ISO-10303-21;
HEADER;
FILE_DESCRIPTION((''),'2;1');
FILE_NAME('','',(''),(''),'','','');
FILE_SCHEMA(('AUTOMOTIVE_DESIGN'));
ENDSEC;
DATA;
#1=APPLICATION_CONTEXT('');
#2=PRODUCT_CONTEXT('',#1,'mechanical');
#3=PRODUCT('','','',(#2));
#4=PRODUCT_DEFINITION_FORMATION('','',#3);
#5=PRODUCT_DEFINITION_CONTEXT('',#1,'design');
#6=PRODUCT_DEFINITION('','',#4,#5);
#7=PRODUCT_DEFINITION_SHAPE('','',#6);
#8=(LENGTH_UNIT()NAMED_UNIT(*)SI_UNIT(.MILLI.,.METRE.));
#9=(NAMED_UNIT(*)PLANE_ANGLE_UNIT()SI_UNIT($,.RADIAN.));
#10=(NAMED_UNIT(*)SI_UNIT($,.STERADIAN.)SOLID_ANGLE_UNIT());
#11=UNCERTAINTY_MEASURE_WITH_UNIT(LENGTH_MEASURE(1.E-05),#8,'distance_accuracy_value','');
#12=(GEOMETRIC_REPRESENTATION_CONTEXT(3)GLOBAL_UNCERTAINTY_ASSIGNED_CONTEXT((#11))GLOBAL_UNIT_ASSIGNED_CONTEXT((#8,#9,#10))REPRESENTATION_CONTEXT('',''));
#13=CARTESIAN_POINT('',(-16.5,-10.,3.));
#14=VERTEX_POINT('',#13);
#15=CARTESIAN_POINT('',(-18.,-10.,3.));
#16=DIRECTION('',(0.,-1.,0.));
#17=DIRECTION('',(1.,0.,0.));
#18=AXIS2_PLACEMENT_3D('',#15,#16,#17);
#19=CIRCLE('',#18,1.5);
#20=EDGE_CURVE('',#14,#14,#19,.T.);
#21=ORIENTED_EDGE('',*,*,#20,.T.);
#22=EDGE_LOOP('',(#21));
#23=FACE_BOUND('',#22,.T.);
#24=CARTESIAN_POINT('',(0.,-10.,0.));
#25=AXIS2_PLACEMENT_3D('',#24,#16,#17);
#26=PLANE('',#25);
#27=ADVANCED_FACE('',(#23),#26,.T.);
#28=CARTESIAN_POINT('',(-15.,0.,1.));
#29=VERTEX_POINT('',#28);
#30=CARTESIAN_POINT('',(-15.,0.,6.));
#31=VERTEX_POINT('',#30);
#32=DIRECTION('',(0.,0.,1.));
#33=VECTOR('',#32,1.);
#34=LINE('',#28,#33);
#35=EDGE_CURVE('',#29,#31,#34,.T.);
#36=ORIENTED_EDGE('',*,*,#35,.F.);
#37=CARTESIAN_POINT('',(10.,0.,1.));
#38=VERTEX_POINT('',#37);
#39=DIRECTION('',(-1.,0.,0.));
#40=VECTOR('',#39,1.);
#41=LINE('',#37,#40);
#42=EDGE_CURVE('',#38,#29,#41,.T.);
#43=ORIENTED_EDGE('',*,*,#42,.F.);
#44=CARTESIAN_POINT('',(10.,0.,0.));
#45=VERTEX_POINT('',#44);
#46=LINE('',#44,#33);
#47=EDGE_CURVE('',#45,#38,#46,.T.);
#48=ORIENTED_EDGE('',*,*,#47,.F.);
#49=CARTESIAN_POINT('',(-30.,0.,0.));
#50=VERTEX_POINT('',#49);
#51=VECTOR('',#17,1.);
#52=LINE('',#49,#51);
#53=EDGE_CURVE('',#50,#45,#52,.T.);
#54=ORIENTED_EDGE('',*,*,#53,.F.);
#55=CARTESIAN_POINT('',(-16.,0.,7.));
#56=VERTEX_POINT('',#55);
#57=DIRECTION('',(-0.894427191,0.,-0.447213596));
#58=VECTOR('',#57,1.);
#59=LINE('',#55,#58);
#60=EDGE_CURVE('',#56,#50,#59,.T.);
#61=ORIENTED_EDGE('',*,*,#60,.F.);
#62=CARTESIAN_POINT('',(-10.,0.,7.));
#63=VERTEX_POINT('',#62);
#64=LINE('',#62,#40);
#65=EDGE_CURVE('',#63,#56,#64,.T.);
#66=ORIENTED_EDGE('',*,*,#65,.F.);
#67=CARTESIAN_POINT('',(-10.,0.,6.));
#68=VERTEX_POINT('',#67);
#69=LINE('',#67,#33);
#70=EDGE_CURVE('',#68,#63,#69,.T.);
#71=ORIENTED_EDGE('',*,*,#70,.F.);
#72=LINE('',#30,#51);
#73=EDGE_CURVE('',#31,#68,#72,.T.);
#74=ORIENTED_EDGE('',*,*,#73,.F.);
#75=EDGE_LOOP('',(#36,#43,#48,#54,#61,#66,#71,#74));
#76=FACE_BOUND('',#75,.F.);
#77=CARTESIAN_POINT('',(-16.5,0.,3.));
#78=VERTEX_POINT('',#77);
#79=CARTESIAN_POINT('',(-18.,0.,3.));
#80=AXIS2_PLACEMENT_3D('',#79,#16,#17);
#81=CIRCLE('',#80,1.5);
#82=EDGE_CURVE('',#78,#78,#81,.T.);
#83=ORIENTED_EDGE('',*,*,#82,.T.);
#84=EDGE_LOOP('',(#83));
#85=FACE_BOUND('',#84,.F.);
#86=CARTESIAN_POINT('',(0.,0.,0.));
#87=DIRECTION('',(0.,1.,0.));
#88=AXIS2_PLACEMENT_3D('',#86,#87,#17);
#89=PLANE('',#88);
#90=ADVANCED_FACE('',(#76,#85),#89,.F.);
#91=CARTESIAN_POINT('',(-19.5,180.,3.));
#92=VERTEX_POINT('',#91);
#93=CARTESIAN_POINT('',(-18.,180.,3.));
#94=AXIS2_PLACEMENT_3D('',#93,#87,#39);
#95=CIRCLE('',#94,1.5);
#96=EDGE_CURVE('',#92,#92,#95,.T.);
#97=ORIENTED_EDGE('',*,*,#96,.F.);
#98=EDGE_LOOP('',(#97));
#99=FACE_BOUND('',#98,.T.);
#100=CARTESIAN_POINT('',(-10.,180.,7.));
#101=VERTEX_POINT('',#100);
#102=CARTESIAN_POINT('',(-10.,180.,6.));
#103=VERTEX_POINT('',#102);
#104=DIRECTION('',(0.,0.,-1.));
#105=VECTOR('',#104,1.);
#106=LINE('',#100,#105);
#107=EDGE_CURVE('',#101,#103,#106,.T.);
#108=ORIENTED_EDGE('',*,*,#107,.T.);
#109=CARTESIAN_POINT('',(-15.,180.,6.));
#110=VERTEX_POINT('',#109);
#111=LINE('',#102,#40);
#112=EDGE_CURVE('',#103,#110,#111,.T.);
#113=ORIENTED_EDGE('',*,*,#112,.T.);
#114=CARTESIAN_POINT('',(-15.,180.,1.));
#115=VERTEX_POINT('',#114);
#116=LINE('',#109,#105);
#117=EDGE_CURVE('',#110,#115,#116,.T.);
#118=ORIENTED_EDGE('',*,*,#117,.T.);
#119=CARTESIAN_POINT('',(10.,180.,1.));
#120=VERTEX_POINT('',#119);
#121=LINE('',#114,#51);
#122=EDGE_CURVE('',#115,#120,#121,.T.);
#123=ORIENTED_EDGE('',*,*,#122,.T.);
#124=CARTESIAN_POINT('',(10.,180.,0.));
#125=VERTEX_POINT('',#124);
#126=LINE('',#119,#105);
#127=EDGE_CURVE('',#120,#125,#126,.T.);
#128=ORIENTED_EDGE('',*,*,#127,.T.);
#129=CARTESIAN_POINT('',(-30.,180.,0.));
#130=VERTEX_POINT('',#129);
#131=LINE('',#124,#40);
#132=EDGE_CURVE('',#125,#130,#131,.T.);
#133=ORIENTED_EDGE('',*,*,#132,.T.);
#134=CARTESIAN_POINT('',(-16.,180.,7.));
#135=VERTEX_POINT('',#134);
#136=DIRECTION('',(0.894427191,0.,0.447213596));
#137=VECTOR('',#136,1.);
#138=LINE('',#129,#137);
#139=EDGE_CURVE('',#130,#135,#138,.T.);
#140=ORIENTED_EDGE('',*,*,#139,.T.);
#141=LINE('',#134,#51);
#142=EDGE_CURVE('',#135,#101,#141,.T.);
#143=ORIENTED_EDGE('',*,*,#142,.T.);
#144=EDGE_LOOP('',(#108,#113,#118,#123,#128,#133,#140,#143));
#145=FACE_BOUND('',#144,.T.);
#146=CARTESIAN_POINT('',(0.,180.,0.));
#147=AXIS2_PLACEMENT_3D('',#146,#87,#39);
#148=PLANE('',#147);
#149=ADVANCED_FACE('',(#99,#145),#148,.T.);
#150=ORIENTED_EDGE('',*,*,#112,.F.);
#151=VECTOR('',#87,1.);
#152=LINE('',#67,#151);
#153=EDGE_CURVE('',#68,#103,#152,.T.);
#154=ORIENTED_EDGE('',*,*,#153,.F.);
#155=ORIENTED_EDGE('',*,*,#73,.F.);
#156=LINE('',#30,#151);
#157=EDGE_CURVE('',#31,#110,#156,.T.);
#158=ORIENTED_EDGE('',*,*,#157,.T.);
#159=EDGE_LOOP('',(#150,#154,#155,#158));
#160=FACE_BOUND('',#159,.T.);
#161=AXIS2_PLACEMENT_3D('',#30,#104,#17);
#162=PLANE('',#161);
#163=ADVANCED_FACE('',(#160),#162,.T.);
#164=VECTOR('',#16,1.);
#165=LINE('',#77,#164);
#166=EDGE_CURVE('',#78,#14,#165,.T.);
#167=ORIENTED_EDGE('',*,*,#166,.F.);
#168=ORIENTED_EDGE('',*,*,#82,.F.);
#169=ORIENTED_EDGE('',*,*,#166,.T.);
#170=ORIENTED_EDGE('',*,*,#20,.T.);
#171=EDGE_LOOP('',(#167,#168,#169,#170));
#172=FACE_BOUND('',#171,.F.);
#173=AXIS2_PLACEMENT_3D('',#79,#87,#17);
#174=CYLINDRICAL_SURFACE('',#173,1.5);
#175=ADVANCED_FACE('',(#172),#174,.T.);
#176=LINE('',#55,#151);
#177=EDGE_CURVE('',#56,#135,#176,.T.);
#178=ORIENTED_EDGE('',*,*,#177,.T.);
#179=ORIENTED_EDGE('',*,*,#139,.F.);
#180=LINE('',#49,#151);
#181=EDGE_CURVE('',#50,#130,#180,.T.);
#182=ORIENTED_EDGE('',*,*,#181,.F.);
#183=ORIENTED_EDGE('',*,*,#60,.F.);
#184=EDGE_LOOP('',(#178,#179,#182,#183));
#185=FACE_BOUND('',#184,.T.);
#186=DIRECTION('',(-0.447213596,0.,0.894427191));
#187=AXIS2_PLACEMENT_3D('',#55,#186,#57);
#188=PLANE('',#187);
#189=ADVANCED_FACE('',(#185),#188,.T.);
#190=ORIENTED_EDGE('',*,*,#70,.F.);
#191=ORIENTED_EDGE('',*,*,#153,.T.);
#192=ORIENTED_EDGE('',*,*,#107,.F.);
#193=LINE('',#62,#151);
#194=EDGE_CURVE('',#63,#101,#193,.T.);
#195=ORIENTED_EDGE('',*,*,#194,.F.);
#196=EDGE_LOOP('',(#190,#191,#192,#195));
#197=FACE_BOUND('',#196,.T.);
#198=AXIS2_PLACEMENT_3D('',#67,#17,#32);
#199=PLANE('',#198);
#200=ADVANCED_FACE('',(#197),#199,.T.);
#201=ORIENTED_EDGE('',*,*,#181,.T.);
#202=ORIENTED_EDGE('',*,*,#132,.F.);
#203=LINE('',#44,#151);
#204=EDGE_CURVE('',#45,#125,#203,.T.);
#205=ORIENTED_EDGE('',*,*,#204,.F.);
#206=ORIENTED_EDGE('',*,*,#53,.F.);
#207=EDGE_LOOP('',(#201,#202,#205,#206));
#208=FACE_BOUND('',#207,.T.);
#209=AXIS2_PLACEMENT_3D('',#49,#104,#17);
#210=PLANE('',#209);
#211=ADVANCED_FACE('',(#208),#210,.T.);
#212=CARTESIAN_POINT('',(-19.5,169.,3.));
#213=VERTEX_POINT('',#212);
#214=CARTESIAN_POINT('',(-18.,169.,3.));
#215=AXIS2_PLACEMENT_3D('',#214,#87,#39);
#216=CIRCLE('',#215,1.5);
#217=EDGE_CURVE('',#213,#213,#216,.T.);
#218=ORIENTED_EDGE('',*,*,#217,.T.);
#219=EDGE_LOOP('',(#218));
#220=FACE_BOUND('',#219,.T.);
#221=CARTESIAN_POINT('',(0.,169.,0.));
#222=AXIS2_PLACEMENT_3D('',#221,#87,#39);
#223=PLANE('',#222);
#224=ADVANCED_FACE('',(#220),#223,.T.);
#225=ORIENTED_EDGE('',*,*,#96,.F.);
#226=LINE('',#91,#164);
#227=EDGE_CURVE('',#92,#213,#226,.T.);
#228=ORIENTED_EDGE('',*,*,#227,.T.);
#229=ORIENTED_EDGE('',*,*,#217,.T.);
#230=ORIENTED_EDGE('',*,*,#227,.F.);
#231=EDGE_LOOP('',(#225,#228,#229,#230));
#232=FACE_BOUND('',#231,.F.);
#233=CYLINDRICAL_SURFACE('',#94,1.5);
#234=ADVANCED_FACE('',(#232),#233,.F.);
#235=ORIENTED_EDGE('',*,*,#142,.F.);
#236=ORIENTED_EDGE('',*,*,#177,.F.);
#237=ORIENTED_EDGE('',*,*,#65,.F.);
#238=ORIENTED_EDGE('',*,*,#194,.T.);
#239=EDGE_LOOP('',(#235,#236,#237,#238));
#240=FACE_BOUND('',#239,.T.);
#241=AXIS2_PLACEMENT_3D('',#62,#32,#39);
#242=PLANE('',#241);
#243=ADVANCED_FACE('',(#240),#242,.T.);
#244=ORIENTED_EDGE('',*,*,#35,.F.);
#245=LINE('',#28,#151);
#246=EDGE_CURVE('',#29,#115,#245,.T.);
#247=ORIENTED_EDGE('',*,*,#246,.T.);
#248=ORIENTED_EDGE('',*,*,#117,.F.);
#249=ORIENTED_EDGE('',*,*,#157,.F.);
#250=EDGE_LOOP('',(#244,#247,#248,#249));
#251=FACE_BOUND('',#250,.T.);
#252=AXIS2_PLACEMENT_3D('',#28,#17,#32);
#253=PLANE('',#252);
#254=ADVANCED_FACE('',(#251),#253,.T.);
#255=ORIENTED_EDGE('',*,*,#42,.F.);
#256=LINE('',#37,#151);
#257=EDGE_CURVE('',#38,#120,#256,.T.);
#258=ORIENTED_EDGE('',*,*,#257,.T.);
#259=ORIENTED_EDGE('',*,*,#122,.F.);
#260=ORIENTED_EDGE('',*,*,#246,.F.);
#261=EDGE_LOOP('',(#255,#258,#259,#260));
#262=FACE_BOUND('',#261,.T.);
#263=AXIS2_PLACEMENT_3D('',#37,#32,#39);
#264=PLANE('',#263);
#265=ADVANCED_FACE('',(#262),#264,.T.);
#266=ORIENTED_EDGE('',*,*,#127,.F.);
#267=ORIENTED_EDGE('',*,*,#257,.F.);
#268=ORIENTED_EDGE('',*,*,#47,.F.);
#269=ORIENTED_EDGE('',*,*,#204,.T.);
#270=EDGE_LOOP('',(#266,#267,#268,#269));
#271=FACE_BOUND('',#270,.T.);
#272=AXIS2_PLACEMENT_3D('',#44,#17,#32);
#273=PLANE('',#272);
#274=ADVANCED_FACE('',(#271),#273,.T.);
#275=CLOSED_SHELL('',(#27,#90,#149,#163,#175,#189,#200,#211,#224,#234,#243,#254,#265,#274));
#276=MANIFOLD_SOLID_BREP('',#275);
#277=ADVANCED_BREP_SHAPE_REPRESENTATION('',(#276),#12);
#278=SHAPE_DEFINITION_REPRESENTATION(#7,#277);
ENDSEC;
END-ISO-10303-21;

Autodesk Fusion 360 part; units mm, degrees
sketch "Sketch1" plane through (0, 0, 0) normal (0, 1, 0) x (1, 0, 0)
  line L0 (-30, 0) -> (10, 0)
  line L1 (10, 0) -> (10, -1)
  line L2 (10, -1) -> (-15, -1)
  line L3 (-15, -1) -> (-15, -6)
  line L4 (-15, -6) -> (-10, -6)
  line L5 (-10, -6) -> (-10, -7)
  line L6 (-10, -7) -> (-16, -7)
  line L7 (-16, -7) -> (-30, 0)
  dimension "d1" = 40
  dimension "d2" = 1
sketch "Sketch2" plane through (0, 0, 0) normal (0, 1, 0) x (1, 0, 0)
extrude "Extrude1" add sketch "Sketch1" along normal blind 200
sketch "Sketch3" plane through (0, 0, 0) normal (0, -1, 0) x (1, 0, 0)
  line L0 (-10, 7) -> (-16, 7)
  line L1 (-16, 7) -> (-30, 0)
  line L2 (-30, 0) -> (10, 0)
  line L3 (10, 0) -> (10, 1)
  line L4 (10, 1) -> (-15, 1)
  line L5 (-15, 1) -> (-15, 6)
  line L6 (-15, 6) -> (-10, 6)
  line L7 (-10, 6) -> (-10, 7)
  circle A0 centre (-18, 3) radius 1.5
  dimension "d5" = 3
  dimension "d6" = 3
  dimension "d7" = 3
extrude "Extrude2" add sketch "Sketch3" along normal blind 10 contours A0
sketch "Sketch4" plane through (0, 0, 0) normal (0, 1, 0) x (1, 0, 0)
sketch "Sketch5" plane through (0, 200, 0) normal (0, 1, 0) x (-1, 0, 0)
  line L0 (16, 7) -> (10, 7)
  line L1 (10, 7) -> (10, 6)
  line L2 (10, 6) -> (15, 6)
  line L3 (15, 6) -> (15, 1)
  line L4 (15, 1) -> (-10, 1)
  line L5 (-10, 1) -> (-10, 0)
  line L6 (-10, 0) -> (30, 0)
  line L7 (30, 0) -> (16, 7)
  circle A0 centre (18, 3) radius 1.5
  dimension "d10" = 3
  dimension "d11" = 3
  dimension "d12" = 3
extrude "Extrude3" cut sketch "Sketch5" against normal blind 11 contours A0
sketch "Sketch6" plane through (0, 200, 0) normal (0, 1, 0) x (-1, 0, 0)
  line L0 (16, 7) -> (10, 7)
  line L1 (10, 7) -> (10, 6)
  line L2 (10, 6) -> (15, 6)
  line L3 (15, 6) -> (15, 1)
  line L4 (15, 1) -> (-10, 1)
  line L5 (-10, 1) -> (-10, 0)
  line L6 (-10, 0) -> (30, 0)
  line L7 (30, 0) -> (16, 7)
extrude "Extrude4" cut sketch "Sketch6" against normal blind 20
sketch "Sketch7" plane through (0, 0, 0) normal (0, 1, 0) x (1, 0, 0)
sketch "Sketch8" plane through (0, 180, 0) normal (0, 1, 0) x (-1, 0, 0)
  line L0 (30, 0) -> (16, 7)
  line L1 (16, 7) -> (10, 7)
  line L2 (10, 7) -> (10, 6)
  line L3 (10, 6) -> (15, 6)
  line L4 (15, 6) -> (15, 1)
  line L5 (15, 1) -> (-10, 1)
  line L6 (-10, 1) -> (-10, 0)
  line L7 (-10, 0) -> (30, 0)
  circle A0 centre (18, 3) radius 1.5
  dimension "d17" = 3
  dimension "d18" = 3
  dimension "d19" = 3
extrude "Extrude5" cut sketch "Sketch8" against normal blind 11 contours A0
